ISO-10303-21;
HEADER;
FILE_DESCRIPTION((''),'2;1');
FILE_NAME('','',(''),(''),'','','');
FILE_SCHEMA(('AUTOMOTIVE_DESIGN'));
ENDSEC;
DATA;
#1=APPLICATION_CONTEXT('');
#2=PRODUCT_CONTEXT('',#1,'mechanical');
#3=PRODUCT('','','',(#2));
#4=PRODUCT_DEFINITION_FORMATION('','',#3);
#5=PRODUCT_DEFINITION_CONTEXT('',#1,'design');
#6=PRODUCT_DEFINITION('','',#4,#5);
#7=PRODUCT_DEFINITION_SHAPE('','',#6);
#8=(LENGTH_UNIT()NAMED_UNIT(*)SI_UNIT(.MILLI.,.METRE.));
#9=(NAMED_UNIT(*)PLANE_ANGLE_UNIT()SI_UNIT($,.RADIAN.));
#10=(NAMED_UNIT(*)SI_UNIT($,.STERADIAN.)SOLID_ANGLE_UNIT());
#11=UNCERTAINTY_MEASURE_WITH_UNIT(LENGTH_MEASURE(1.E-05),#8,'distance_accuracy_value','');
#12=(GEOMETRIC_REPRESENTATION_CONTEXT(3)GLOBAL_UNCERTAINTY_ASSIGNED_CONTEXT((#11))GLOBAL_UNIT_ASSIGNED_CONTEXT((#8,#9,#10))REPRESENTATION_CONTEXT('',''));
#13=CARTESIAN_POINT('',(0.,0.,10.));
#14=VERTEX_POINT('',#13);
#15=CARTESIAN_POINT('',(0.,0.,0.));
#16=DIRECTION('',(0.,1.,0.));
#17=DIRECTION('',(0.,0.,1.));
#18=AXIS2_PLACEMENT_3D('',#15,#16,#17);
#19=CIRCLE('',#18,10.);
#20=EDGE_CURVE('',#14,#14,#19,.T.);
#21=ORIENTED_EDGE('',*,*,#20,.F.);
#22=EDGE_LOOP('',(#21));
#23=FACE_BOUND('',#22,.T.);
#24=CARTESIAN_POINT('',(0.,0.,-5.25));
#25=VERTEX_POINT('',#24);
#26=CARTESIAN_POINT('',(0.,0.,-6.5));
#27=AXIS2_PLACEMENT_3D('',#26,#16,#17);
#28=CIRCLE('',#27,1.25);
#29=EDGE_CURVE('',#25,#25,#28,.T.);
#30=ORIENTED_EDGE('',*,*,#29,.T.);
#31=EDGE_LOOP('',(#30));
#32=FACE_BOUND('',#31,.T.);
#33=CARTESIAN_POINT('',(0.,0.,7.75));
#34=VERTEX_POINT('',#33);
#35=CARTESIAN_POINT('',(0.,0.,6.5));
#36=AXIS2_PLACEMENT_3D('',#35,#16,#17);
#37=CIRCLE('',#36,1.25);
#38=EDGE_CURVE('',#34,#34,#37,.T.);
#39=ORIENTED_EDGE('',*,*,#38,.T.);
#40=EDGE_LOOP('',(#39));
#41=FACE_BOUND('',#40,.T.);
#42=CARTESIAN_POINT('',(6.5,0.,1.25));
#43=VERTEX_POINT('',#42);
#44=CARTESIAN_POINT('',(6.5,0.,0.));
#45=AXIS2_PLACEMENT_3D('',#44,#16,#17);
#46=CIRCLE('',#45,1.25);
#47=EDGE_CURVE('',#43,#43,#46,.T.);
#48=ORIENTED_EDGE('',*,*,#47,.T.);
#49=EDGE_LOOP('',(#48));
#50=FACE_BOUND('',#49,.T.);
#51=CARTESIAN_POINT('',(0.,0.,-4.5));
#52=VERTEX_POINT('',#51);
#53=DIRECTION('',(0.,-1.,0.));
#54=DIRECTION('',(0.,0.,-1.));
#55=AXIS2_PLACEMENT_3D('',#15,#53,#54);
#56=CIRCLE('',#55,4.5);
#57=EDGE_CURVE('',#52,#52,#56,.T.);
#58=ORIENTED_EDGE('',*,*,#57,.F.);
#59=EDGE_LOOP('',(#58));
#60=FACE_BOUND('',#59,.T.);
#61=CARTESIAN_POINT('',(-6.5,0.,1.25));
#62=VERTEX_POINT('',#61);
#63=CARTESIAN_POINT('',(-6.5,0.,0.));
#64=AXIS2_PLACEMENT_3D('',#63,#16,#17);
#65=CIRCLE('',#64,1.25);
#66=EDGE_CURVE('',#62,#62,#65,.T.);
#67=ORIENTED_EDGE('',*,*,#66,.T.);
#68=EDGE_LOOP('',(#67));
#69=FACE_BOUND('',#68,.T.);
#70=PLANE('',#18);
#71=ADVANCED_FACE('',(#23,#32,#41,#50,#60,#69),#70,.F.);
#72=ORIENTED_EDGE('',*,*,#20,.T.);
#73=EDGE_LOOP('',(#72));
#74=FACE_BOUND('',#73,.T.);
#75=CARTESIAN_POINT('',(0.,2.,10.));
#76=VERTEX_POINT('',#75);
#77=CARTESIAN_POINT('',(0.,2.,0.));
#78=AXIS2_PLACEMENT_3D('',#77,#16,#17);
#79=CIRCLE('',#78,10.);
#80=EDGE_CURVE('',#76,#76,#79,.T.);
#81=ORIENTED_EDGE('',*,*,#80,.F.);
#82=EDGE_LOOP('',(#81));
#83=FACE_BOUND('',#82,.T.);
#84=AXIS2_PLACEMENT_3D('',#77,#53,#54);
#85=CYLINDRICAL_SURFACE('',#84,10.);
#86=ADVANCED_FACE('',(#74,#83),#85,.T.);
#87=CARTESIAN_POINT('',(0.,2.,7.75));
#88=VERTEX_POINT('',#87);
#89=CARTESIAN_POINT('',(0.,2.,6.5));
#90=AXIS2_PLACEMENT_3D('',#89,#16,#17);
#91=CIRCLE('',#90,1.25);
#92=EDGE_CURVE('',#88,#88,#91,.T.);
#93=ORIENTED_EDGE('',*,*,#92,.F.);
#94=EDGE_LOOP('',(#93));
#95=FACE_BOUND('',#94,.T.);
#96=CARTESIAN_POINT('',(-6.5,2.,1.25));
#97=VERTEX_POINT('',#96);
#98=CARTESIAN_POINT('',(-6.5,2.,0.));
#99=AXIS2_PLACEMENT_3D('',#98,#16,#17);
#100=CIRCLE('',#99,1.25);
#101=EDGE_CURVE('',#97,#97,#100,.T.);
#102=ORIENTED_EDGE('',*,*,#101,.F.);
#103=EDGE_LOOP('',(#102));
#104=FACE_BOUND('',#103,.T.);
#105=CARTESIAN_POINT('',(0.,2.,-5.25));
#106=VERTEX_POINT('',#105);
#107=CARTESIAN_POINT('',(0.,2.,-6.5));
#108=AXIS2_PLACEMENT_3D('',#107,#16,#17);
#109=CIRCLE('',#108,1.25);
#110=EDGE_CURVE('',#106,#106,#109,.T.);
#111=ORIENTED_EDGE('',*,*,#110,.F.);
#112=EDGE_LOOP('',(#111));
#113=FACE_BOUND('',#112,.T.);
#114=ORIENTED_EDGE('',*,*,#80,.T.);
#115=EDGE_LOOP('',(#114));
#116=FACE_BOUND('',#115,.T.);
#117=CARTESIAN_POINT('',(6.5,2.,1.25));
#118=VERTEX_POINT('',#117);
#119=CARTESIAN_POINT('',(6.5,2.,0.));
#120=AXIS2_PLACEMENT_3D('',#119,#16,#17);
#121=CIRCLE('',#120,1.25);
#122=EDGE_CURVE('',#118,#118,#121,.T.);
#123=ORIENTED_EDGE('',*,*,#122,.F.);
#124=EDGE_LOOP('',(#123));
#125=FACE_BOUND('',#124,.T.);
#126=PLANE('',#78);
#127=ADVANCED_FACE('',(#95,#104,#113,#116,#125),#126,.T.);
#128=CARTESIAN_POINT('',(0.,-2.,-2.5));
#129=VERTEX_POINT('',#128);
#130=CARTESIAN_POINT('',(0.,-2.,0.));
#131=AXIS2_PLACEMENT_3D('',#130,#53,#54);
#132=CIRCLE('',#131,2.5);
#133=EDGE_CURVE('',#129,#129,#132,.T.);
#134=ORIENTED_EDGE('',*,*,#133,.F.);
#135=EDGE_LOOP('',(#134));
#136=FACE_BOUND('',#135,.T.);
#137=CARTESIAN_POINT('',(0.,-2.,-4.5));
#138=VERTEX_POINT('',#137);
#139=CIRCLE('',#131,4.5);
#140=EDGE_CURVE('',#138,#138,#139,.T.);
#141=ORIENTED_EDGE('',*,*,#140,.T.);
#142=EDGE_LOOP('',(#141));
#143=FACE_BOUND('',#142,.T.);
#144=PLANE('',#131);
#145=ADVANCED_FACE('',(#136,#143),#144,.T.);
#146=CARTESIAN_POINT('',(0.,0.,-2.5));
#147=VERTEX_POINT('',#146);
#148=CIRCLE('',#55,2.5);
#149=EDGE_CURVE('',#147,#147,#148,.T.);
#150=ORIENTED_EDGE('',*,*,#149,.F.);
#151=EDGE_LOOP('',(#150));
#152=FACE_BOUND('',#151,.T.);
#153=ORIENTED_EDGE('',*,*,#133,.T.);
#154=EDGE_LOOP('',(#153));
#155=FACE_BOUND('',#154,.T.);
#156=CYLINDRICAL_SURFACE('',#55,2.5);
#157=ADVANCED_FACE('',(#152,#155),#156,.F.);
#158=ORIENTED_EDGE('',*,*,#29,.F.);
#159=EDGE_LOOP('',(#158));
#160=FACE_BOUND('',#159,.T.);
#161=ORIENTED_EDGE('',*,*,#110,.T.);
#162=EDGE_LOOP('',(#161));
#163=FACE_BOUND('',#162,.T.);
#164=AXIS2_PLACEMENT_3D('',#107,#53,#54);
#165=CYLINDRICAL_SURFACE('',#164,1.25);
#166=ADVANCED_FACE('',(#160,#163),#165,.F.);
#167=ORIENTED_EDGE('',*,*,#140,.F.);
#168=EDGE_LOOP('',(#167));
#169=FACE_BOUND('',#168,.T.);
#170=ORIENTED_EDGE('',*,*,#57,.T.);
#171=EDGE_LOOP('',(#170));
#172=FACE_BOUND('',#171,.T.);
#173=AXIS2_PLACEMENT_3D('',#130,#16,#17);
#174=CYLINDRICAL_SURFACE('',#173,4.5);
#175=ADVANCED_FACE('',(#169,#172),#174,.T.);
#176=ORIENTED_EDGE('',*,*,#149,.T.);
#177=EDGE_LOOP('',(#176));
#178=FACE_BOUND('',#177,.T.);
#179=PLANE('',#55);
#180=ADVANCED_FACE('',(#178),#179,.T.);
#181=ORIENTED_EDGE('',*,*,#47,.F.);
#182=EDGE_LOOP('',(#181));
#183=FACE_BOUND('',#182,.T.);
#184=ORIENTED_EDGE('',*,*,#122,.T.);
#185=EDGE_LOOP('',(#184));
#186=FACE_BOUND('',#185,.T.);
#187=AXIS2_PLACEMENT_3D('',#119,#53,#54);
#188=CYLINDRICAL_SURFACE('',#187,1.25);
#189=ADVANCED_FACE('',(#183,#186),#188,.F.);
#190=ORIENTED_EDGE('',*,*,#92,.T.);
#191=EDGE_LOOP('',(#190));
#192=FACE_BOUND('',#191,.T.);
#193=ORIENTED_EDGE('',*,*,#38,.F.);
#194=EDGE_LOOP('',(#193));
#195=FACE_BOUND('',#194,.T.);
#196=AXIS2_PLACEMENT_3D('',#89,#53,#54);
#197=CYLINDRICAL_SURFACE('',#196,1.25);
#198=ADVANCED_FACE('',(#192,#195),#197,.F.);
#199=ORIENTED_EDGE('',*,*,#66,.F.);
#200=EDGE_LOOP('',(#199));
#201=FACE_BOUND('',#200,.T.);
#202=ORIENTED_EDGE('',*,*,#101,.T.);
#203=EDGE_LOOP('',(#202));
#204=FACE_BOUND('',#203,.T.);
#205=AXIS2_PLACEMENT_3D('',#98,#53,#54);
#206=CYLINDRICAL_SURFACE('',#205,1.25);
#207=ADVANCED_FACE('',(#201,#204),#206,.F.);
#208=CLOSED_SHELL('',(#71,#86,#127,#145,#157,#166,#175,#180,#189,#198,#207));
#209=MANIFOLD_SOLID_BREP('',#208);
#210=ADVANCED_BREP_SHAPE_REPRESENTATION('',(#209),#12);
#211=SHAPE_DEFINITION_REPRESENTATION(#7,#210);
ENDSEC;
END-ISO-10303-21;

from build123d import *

# Parameters (mm, degrees)
SKETCH_1_R          = 10
SKETCH_1_R_2        = 1.25
EXTRUDE_1_DEPTH     = 2
SKETCH_2_R          = 4.5
EXTRUDE_2_DEPTH     = 2
SKETCH_3_R          = 2.5
CUT_EXTRUDE_1_DEPTH = 2


with BuildPart() as part:
    # 草图1 → 凸台-拉伸1 (new body)
    with BuildSketch(Plane(origin=(0, 0, 0), x_dir=(1, 0, 0), z_dir=(0, 1, 0))):
        with Locations(Location((0, 0, 0), (0, 0, 270))):
            Circle(SKETCH_1_R)
        with Locations(Location((0, 6.5, 0), (0, 0, 270))):
            Circle(SKETCH_1_R_2, mode=Mode.SUBTRACT)
        with Locations(Location((6.5, 0, 0), (0, 0, 270))):
            Circle(SKETCH_1_R_2, mode=Mode.SUBTRACT)
        with Locations(Location((0, -6.5, 0), (0, 0, 270))):
            Circle(SKETCH_1_R_2, mode=Mode.SUBTRACT)
        with Locations(Location((-6.5, 0, 0), (0, 0, 270))):
            Circle(SKETCH_1_R_2, mode=Mode.SUBTRACT)
    extrude(amount=EXTRUDE_1_DEPTH)

    # 草图2 → 凸台-拉伸2 (add)
    with BuildSketch(Plane.XZ):
        with Locations(Location((0, 0, 0), (0, 0, 270))):
            Circle(SKETCH_2_R)
    extrude(amount=EXTRUDE_2_DEPTH)

    # 草图3 → 切除-拉伸1 (cut)
    with BuildSketch(Plane.XZ.offset(2)):
        with Locations(Location((0, 0, 0), (0, 0, 270))):
            Circle(SKETCH_3_R)
    extrude(amount=-CUT_EXTRUDE_1_DEPTH, mode=Mode.SUBTRACT)


solid = part.part
